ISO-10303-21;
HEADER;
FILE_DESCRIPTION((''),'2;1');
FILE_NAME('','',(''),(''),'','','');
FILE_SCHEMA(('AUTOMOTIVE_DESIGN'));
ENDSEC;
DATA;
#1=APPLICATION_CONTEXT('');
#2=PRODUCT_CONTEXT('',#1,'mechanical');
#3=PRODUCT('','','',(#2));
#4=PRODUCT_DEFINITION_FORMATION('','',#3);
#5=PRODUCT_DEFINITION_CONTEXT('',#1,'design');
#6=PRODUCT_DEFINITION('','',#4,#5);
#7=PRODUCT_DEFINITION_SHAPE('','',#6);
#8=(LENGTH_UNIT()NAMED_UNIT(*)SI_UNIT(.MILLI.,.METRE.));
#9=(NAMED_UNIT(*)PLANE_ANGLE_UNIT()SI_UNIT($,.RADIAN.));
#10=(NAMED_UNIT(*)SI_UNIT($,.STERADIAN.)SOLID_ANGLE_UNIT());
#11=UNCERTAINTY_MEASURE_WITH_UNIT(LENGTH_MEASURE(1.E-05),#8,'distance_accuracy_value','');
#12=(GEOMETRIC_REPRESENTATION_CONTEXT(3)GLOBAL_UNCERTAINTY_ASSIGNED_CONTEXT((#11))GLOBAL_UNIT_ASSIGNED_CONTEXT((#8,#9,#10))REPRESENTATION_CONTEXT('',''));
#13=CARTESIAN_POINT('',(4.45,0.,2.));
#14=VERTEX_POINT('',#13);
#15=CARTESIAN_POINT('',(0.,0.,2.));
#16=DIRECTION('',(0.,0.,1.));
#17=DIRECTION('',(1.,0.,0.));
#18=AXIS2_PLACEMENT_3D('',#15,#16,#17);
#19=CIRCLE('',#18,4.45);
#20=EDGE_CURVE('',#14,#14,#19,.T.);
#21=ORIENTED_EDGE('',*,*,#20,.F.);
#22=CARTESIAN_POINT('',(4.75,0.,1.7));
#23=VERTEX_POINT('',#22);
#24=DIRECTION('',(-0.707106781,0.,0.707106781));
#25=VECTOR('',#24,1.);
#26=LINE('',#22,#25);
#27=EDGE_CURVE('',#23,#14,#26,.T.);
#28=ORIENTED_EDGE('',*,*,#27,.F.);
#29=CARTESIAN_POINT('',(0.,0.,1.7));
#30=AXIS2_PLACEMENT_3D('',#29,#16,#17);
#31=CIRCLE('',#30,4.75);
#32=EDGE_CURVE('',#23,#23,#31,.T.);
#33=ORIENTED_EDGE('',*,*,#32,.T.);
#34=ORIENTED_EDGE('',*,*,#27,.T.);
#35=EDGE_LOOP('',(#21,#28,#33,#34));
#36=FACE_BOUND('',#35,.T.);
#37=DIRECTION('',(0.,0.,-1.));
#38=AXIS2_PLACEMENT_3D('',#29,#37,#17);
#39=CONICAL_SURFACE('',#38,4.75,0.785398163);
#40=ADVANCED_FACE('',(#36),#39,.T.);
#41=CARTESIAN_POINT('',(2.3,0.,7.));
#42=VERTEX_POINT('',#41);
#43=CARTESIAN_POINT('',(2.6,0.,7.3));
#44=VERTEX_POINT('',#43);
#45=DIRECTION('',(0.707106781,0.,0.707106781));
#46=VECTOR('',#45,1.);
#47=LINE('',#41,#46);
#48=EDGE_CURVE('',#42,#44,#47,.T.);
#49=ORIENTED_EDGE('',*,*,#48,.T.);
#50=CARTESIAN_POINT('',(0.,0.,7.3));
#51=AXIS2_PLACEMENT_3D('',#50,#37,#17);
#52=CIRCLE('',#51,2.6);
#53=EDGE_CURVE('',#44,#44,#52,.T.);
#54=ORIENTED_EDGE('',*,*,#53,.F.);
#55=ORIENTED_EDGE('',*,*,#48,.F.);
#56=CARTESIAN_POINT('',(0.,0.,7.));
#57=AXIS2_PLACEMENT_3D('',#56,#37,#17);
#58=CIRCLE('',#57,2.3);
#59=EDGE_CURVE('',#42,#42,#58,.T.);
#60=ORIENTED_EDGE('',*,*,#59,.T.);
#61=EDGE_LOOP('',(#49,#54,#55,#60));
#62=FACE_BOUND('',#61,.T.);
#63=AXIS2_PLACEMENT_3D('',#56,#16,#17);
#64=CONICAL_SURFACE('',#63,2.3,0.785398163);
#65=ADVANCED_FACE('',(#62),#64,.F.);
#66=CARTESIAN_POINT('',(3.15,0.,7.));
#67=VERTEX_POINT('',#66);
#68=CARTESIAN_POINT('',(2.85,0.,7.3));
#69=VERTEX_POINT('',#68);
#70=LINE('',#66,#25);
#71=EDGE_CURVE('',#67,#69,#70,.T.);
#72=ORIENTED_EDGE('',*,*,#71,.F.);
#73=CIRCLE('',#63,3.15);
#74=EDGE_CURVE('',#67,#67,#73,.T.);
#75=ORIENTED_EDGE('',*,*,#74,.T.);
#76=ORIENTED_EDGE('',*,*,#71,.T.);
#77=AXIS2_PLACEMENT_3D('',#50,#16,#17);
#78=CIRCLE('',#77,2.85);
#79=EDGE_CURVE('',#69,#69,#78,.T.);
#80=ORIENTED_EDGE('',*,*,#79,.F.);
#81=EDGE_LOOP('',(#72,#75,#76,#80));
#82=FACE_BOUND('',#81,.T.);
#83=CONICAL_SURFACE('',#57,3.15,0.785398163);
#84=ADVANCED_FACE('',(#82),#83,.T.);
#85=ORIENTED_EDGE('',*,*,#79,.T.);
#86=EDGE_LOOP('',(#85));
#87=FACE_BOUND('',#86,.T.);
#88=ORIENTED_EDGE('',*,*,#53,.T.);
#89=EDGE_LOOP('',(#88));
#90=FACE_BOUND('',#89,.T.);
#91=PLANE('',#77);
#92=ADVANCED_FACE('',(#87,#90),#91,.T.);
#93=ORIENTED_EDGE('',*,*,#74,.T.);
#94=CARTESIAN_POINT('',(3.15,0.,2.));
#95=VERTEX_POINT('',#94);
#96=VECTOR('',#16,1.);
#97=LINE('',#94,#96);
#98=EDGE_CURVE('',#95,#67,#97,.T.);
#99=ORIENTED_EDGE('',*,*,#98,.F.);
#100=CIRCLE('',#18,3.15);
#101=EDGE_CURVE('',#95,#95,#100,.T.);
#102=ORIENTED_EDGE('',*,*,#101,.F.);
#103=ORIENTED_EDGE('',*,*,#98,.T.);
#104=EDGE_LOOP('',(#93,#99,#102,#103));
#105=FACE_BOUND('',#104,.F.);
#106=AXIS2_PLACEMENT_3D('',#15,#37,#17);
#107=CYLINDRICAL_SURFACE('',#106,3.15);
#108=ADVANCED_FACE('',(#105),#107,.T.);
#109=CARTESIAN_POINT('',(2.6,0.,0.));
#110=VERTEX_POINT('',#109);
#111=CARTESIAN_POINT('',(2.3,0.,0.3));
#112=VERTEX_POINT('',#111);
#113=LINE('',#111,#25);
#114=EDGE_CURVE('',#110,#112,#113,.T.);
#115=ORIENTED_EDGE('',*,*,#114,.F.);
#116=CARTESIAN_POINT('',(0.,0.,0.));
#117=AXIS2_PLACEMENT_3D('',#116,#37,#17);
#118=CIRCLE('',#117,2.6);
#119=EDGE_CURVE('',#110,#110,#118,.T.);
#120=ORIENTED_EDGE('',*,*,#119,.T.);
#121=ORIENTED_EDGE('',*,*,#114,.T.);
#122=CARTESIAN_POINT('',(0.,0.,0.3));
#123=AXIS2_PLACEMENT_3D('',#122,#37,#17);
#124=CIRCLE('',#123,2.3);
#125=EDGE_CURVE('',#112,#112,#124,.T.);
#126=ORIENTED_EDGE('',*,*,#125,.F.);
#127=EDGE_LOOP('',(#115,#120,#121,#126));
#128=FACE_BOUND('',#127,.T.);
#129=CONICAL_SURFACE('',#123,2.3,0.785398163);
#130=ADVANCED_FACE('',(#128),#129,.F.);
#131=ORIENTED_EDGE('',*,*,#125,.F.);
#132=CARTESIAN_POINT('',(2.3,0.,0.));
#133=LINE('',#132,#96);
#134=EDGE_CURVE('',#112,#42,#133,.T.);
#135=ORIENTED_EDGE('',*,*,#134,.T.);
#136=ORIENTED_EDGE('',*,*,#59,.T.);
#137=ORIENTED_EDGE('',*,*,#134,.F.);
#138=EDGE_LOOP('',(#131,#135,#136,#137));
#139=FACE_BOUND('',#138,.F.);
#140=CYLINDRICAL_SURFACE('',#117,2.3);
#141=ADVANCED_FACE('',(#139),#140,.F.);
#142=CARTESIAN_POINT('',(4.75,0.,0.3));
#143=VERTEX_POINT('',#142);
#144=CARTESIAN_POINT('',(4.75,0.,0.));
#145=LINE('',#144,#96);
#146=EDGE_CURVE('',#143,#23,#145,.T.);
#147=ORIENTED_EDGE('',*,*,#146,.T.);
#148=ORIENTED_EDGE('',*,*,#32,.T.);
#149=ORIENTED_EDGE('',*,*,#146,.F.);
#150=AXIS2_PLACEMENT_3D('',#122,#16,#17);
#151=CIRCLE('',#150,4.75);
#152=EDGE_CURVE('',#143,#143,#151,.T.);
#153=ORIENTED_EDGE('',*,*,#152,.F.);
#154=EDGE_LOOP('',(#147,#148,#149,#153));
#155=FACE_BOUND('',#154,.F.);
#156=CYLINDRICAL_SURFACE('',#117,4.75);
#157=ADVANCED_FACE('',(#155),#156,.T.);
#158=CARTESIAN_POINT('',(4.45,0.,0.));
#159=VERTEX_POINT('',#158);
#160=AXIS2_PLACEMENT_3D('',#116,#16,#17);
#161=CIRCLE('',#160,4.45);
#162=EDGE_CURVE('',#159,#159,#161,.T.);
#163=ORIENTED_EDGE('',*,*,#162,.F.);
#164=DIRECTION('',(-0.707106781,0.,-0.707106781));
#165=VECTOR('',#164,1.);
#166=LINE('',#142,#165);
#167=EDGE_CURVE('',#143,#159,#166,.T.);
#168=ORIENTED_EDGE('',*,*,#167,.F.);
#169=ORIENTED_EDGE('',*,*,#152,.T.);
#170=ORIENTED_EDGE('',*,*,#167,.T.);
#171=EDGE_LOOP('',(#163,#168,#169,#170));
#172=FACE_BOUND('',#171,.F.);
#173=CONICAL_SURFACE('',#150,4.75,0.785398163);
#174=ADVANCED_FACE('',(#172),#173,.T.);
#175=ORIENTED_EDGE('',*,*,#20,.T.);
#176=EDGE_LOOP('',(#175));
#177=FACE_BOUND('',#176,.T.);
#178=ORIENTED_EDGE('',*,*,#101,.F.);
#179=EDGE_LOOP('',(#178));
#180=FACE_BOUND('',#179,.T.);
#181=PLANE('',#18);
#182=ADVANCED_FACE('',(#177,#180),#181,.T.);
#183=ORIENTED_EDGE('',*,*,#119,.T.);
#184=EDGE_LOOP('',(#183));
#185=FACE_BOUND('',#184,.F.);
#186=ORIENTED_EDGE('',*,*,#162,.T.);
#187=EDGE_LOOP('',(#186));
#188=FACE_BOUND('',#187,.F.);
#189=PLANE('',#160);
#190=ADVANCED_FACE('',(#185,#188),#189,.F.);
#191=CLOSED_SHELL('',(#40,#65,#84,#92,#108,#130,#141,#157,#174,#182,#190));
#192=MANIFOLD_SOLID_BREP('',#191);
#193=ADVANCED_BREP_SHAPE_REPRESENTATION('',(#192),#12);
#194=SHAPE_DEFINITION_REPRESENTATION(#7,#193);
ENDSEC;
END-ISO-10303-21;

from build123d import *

# Parameters (mm, degrees)
F0_R     = 4.75
F1_DEPTH = 2
F2_R     = 3.15
F3_DEPTH = 5.3
F4_R     = 2.3
F5_DEPTH = 7.301
F6_SIZE  = 0.3


with BuildPart() as f1:
    # F0 (on Top) → F1 (new body)
    with BuildSketch(Plane.XY):
        Circle(F0_R)
    extrude(amount=F1_DEPTH)

    # F2 (on face) → F3 (join)
    with BuildSketch(Plane.XY.offset(2)):
        Circle(F2_R)
    extrude(amount=F3_DEPTH)

    # F4 (on face) → F5 (cut, through all)
    with BuildSketch(Plane(origin=(0, 0, 0), x_dir=(1, 0, 0), z_dir=(0, 0, -1))):
        Circle(F4_R)
    extrude(amount=-F5_DEPTH, mode=Mode.SUBTRACT)

    # F6
    f6_edges = [f1.edges().sort_by_distance(p)[0] for p in [
        (-4.75, 0, 0),
        (-2.3, 0, 0),
        (-2.3, 0, 7.3),
        (-3.15, 0, 7.3),
        (-4.75, 0, 2),
    ]]
    chamfer(f6_edges, length=F6_SIZE)


solid = f1.part
